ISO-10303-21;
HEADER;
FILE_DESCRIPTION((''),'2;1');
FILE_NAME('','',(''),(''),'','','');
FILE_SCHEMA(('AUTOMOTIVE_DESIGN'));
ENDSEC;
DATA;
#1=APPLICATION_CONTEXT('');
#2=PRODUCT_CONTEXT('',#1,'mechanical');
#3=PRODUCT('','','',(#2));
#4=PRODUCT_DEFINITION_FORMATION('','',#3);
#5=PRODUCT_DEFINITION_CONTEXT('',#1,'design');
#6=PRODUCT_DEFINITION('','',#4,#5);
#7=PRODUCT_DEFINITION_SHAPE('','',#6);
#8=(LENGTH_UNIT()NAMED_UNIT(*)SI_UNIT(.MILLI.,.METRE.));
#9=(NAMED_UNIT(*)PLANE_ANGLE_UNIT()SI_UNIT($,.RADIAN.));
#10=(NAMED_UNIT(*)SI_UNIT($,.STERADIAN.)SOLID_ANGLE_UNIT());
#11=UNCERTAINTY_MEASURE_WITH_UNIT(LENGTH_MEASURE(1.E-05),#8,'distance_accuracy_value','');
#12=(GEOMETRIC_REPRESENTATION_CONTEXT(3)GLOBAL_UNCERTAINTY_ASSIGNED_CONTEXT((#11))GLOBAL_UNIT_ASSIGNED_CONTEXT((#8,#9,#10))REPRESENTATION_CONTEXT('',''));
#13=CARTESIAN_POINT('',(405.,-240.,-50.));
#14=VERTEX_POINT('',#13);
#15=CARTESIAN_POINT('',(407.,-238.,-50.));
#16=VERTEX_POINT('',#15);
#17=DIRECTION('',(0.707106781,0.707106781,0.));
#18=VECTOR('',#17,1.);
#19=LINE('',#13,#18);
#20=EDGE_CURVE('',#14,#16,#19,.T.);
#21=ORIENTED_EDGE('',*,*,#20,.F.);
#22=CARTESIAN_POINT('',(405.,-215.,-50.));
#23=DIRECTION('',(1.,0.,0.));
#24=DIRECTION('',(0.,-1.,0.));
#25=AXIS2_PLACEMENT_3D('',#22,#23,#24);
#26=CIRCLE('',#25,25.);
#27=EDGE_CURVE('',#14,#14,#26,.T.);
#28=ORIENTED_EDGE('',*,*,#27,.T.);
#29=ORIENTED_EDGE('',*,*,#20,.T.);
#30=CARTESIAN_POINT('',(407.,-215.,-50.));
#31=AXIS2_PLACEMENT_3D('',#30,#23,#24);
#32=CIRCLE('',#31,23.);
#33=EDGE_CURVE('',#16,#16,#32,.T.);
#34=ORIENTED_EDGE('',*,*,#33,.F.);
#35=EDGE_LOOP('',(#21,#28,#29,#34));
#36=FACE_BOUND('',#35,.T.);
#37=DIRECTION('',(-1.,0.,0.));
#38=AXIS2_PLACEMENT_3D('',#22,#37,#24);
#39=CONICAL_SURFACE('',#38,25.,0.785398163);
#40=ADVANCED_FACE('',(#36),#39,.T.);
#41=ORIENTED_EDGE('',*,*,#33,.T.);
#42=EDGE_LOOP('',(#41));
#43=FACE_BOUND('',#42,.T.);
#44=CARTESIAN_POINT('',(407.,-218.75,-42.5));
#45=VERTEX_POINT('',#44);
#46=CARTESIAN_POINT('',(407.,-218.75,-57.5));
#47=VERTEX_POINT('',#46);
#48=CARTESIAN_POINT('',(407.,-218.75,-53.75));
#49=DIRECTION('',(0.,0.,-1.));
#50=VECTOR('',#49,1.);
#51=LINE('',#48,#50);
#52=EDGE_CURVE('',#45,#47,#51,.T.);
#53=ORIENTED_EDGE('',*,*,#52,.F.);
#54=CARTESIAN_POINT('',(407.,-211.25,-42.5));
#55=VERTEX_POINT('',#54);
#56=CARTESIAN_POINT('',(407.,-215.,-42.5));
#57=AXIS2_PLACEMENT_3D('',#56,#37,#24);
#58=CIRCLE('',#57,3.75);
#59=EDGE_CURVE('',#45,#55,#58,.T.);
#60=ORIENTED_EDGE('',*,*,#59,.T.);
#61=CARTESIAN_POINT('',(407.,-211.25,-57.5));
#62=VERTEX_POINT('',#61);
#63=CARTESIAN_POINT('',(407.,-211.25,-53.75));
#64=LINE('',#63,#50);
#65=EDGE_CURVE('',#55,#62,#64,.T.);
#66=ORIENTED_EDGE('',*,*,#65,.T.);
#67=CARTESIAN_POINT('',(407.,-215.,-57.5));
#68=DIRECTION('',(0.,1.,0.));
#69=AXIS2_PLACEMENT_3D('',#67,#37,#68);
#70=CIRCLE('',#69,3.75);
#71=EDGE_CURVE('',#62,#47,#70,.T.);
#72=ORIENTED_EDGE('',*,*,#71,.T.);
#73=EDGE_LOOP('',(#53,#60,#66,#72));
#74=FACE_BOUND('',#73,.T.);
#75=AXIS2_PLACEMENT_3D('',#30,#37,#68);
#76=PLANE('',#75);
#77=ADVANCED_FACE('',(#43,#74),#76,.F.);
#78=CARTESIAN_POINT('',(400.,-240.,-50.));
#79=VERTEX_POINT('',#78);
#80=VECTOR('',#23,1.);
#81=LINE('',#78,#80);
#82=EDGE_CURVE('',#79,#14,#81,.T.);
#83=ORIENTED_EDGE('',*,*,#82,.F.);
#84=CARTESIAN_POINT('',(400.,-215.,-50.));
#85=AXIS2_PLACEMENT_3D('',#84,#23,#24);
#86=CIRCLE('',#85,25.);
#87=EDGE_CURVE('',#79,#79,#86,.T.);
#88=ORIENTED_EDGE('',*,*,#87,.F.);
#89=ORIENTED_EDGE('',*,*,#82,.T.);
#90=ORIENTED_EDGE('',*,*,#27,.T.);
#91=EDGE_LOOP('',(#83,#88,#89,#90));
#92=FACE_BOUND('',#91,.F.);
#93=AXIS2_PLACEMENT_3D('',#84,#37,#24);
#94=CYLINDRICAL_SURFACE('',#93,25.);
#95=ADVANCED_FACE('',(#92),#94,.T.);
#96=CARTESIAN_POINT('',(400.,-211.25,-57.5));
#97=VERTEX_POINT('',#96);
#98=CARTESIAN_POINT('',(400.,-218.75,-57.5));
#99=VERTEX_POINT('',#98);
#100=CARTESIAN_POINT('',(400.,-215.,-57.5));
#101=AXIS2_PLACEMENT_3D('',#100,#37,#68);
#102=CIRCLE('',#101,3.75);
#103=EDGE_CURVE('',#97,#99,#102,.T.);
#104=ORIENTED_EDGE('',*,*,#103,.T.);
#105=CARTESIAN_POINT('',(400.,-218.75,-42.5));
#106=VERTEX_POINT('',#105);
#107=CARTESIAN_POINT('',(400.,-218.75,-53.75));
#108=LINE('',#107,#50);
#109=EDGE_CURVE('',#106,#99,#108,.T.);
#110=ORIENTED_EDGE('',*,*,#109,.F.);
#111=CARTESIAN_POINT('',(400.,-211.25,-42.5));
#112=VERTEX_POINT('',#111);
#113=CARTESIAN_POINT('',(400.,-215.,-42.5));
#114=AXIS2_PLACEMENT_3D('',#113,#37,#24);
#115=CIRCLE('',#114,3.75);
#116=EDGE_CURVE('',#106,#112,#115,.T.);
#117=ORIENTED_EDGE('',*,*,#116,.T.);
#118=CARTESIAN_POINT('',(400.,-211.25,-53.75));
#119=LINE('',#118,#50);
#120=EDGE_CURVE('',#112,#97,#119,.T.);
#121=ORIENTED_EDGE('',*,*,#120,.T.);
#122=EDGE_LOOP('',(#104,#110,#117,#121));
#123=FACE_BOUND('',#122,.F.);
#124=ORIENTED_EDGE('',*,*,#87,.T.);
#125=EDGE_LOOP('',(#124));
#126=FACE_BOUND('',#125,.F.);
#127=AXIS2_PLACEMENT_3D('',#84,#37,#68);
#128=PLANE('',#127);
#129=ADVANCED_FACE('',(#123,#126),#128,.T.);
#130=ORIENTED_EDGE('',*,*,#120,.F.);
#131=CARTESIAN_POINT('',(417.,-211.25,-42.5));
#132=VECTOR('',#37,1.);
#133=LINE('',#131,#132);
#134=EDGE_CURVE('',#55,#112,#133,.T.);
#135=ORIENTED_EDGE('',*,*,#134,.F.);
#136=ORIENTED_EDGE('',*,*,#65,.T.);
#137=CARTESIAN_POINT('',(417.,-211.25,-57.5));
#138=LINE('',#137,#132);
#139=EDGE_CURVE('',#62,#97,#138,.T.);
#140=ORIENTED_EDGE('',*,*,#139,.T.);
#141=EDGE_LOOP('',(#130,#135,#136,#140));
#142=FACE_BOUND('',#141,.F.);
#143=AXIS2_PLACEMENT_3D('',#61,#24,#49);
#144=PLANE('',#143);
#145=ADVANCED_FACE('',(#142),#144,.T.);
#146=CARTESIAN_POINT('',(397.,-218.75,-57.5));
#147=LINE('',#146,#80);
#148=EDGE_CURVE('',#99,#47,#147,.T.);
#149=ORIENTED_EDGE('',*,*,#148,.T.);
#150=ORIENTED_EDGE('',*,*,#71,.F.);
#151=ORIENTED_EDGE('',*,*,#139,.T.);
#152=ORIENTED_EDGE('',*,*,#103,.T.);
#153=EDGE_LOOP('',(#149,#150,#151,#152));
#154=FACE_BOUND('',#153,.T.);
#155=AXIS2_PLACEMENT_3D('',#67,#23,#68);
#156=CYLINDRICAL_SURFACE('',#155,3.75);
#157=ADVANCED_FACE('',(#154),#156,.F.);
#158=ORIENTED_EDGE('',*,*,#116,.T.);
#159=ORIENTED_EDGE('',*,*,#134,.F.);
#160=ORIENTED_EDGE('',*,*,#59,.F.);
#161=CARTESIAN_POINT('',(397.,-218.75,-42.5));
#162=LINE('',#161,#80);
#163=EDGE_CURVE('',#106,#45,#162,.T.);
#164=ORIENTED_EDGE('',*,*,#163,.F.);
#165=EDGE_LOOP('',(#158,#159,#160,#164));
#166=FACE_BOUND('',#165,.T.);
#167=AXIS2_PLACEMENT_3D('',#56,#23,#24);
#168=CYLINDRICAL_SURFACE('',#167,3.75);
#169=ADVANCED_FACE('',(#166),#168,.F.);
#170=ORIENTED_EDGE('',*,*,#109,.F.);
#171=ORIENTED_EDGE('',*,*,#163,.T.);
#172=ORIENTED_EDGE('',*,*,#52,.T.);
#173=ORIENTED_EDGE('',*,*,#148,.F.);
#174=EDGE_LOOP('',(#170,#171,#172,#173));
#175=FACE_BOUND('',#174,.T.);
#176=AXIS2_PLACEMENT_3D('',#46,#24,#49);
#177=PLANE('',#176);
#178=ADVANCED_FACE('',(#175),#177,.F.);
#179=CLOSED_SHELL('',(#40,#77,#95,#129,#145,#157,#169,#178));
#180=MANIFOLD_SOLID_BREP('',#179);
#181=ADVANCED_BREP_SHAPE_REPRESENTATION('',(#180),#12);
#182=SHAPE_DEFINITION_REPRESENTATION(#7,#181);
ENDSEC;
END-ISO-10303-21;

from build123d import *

# Parameters (mm, degrees)
EXTRUDE020_DEPTH         = 10
CIRCLE002_R              = 25
EXTRUDE019_DEPTH         = 7
CHAMFER002_SIZE          = 2
CLONE033_ROLL_ANGLE      = 180
CLONE033_PLACEMENT_ANGLE = -90


with BuildPart() as extrude020:
    # Sketch030 (on Face4 of Chamfer002) → Extrude020 (new body, symmetric)
    with BuildSketch(Plane(origin=(0, 7, 0), x_dir=(-1, 0, 0), z_dir=(0, 1, 0))):
        with BuildLine():
            ThreePointArc((3.75, 7.5), (0, 11.25), (-3.75, 7.5))
            Line((-3.75, 7.5), (-3.75, -7.5))
            ThreePointArc((-3.75, -7.5), (0, -11.25), (3.75, -7.5))
            Line((3.75, 7.5), (3.75, -7.5))
        make_face()
    extrude(amount=EXTRUDE020_DEPTH, both=True)


with BuildPart() as lock_right_external:
    # Circle002 → Extrude019 (new body)
    with BuildSketch(Plane.XZ):
        Circle(CIRCLE002_R)
    extrude(amount=-EXTRUDE019_DEPTH)

    # Chamfer002
    chamfer002_edges = [lock_right_external.edges().sort_by_distance(p)[0] for p in [
        (-25, 7, 0),
    ]]
    chamfer(chamfer002_edges, length=CHAMFER002_SIZE)

    # Cut004: cut Extrude020
    add(extrude020.part, mode=Mode.SUBTRACT)


with BuildPart() as lock_right_external_1:
    # Cut004 placement: moved
    add(lock_right_external.part.moved(Location((0, 0, -83.343755))))


with BuildPart() as lock_right_external_2:
    # Clone033 roll: moved
    add(lock_right_external_1.part.rotate(Axis((0, 0, 0), (1, 0, 0)), CLONE033_ROLL_ANGLE))


with BuildPart() as lock_right_external_3:
    # Clone033 placement: moved
    add(lock_right_external_2.part.moved(Location((-400, -215, -133.343755))).rotate(Axis((-400, -215, -133.343755), (0, 0, 1)), CLONE033_PLACEMENT_ANGLE))


with BuildPart() as mirror172:
    # Mirror172: instance of Lock_right_external
    add(lock_right_external_3.part.mirror(Plane(origin=(0, 0, 0), x_dir=(0, -1, 0), z_dir=(1, 0, 0))))


solid = mirror172.part
